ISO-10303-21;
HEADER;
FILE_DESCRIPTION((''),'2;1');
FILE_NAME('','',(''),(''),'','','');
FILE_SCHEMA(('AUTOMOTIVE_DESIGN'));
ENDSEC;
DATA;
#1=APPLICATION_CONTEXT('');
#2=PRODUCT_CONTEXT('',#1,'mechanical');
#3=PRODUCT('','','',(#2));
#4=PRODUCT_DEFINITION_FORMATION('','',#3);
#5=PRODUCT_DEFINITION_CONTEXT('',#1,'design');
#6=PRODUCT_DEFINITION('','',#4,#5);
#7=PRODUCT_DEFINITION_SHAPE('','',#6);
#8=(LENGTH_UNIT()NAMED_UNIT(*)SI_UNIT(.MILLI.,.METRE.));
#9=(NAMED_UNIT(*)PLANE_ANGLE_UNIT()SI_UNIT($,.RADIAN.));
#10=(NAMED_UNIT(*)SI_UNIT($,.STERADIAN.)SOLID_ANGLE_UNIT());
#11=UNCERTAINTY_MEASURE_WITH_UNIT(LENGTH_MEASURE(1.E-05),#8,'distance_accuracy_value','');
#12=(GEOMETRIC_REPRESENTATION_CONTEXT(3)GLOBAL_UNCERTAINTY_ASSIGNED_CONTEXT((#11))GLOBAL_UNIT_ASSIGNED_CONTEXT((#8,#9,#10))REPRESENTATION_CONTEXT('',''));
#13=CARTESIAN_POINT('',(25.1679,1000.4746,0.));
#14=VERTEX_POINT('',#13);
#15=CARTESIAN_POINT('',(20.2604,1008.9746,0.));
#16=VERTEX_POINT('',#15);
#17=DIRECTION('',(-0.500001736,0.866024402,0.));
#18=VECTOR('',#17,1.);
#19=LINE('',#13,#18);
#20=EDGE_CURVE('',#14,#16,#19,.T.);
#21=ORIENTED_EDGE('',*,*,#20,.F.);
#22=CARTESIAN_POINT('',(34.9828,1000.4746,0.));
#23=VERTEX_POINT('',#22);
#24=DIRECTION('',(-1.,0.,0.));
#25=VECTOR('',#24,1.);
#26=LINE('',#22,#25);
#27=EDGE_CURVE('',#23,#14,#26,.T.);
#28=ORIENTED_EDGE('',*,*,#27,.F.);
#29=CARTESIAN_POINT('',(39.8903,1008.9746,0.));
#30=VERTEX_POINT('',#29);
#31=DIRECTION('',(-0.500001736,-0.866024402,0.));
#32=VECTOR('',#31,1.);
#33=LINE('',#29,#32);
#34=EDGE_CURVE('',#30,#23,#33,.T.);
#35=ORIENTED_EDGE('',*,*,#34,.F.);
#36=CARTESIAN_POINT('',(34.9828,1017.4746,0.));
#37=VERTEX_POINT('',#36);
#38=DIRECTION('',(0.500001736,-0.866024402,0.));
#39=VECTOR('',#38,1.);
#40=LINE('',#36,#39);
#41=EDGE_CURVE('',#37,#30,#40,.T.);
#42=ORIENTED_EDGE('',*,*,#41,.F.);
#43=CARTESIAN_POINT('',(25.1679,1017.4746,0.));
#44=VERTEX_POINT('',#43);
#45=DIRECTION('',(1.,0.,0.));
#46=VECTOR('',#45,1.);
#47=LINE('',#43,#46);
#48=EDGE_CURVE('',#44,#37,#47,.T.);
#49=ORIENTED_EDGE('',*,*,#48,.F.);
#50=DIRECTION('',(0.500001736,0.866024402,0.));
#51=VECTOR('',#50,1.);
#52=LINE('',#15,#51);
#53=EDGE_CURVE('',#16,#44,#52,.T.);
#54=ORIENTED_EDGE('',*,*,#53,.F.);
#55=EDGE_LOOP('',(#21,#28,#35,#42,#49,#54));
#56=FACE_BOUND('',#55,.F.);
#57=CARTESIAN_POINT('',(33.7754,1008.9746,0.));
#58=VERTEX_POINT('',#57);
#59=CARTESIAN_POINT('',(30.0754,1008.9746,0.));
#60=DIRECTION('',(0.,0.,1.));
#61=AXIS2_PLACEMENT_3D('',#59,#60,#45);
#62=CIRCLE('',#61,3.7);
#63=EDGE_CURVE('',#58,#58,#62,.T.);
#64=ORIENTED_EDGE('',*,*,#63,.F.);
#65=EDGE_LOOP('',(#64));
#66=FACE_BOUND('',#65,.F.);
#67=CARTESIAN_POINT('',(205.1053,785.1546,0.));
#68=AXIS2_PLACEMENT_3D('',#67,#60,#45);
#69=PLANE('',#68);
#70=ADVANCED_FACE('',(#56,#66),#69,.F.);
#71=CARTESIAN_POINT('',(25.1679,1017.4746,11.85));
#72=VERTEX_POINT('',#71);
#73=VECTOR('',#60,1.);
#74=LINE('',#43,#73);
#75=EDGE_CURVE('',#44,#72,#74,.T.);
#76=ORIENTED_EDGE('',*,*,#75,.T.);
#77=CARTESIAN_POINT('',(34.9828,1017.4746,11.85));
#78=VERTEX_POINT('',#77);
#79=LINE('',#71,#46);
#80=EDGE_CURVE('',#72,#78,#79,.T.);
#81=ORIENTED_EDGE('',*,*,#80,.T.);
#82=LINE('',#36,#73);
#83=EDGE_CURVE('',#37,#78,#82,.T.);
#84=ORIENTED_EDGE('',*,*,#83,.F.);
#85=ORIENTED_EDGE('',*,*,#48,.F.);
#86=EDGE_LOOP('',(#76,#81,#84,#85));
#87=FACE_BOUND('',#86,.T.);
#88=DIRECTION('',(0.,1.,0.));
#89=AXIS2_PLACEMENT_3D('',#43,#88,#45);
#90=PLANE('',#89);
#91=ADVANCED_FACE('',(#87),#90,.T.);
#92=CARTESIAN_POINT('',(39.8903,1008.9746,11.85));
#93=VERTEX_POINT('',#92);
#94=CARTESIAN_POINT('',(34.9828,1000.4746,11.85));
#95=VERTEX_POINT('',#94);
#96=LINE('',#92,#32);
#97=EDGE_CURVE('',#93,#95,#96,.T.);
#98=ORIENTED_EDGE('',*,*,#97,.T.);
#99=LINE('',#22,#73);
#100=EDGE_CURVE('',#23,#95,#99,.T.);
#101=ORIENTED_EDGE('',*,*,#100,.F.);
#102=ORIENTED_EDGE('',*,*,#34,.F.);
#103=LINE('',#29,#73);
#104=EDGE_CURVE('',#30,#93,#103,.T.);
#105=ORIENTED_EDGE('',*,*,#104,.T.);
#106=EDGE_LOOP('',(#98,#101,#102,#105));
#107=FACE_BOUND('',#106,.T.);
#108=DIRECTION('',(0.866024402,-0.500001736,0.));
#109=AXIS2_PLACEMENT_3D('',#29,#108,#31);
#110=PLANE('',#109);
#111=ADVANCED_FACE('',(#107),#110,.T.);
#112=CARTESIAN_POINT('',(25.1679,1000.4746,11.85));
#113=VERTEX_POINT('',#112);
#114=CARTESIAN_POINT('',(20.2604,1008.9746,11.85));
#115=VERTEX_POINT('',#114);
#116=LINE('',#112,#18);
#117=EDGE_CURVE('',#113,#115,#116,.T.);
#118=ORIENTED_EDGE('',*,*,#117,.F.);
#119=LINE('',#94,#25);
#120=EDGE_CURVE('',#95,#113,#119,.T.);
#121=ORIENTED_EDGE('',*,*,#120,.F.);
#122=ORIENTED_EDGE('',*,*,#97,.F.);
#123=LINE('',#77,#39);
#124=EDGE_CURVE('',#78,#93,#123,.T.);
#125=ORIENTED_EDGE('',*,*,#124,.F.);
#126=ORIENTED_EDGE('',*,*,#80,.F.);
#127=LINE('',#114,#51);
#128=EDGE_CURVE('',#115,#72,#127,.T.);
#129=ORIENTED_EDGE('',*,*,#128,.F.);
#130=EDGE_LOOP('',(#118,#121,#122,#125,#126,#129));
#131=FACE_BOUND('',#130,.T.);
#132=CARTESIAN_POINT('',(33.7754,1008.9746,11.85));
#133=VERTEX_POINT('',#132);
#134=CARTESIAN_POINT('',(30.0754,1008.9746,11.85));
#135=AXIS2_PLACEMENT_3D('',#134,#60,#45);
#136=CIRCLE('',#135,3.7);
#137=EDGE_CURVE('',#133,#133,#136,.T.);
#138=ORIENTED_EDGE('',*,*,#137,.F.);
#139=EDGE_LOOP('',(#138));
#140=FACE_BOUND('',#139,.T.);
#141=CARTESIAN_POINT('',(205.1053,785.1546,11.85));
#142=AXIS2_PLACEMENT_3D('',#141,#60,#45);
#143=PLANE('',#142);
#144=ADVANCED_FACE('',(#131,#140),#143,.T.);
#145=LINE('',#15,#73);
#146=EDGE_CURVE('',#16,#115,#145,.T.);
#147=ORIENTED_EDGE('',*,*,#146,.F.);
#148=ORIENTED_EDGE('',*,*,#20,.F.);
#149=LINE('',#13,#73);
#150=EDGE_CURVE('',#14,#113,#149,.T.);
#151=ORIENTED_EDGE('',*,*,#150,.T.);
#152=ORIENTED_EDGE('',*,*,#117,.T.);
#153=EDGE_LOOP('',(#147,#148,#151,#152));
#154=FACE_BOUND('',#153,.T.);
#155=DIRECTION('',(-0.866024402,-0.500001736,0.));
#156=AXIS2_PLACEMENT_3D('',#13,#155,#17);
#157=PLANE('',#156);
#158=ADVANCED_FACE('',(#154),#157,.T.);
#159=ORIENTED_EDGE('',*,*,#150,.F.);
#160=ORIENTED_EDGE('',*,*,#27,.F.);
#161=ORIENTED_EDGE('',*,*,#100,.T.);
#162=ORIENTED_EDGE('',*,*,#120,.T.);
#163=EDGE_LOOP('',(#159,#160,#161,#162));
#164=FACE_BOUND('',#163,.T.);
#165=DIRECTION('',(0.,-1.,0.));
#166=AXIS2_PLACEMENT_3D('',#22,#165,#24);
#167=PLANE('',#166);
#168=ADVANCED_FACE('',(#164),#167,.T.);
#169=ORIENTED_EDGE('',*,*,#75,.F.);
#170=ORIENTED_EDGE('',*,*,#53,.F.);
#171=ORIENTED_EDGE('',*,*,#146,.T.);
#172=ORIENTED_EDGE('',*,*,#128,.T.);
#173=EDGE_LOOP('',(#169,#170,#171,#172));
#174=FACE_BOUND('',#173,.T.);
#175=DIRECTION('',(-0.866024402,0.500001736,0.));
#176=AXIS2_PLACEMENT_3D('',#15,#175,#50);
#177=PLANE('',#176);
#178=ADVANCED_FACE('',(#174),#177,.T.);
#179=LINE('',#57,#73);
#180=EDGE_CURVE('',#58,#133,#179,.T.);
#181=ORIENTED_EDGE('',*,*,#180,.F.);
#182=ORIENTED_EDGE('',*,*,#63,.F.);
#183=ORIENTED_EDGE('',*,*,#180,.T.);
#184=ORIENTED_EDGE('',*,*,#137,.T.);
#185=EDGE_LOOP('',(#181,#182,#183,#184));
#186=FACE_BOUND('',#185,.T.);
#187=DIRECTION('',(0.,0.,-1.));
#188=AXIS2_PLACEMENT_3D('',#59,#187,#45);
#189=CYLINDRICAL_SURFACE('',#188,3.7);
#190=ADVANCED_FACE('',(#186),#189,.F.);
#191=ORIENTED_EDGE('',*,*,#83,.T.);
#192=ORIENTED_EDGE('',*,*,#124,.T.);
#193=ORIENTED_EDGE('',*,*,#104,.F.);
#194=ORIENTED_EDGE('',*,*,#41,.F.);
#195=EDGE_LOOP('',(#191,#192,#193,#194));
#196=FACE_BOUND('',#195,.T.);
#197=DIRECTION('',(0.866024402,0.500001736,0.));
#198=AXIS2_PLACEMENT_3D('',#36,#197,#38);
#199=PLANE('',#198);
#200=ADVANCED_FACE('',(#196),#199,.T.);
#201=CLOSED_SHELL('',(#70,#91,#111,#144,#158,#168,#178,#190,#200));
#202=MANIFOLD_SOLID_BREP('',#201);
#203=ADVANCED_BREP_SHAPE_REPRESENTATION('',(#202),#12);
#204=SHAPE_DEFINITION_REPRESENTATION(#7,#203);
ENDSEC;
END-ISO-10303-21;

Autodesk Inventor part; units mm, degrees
ref_plane "YZ Plane" through (0, 0, 0) normal (1, 0, 0) x (0, 1, 0)
ref_plane "XZ Plane" through (0, 0, 0) normal (0, 1, 0) x (-1, 0, 0)
ref_plane "Work Plane1" through (205.1053, 785.1546, 0) normal (0, 0, 1) x (1, 0, 0)
sketch "Sketch1" plane through (205.1053, 785.1546, 0) normal (0, 0, 1) x (1, 0, 0)
  line L0 (-184.8449, 223.82) -> (-179.9374, 232.32)
  line L1 (-179.9374, 232.32) -> (-170.1225, 232.32)
  line L2 (-170.1225, 232.32) -> (-165.215, 223.82)
  line L3 (-165.215, 223.82) -> (-170.1225, 215.32)
  line L4 (-170.1225, 215.32) -> (-179.9374, 215.32)
  line L5 (-179.9374, 215.32) -> (-184.8449, 223.82)
  circle A0 centre (-175.0299, 223.82) radius 3.7
  point P0 (-205.1053, -785.1546)
  dimension "d0" = 17
  dimension "d1" = 7.4
extrude "Extrusion1" add sketch "Sketch1" along normal blind 11.85
properties part number "spacing-nuts"
